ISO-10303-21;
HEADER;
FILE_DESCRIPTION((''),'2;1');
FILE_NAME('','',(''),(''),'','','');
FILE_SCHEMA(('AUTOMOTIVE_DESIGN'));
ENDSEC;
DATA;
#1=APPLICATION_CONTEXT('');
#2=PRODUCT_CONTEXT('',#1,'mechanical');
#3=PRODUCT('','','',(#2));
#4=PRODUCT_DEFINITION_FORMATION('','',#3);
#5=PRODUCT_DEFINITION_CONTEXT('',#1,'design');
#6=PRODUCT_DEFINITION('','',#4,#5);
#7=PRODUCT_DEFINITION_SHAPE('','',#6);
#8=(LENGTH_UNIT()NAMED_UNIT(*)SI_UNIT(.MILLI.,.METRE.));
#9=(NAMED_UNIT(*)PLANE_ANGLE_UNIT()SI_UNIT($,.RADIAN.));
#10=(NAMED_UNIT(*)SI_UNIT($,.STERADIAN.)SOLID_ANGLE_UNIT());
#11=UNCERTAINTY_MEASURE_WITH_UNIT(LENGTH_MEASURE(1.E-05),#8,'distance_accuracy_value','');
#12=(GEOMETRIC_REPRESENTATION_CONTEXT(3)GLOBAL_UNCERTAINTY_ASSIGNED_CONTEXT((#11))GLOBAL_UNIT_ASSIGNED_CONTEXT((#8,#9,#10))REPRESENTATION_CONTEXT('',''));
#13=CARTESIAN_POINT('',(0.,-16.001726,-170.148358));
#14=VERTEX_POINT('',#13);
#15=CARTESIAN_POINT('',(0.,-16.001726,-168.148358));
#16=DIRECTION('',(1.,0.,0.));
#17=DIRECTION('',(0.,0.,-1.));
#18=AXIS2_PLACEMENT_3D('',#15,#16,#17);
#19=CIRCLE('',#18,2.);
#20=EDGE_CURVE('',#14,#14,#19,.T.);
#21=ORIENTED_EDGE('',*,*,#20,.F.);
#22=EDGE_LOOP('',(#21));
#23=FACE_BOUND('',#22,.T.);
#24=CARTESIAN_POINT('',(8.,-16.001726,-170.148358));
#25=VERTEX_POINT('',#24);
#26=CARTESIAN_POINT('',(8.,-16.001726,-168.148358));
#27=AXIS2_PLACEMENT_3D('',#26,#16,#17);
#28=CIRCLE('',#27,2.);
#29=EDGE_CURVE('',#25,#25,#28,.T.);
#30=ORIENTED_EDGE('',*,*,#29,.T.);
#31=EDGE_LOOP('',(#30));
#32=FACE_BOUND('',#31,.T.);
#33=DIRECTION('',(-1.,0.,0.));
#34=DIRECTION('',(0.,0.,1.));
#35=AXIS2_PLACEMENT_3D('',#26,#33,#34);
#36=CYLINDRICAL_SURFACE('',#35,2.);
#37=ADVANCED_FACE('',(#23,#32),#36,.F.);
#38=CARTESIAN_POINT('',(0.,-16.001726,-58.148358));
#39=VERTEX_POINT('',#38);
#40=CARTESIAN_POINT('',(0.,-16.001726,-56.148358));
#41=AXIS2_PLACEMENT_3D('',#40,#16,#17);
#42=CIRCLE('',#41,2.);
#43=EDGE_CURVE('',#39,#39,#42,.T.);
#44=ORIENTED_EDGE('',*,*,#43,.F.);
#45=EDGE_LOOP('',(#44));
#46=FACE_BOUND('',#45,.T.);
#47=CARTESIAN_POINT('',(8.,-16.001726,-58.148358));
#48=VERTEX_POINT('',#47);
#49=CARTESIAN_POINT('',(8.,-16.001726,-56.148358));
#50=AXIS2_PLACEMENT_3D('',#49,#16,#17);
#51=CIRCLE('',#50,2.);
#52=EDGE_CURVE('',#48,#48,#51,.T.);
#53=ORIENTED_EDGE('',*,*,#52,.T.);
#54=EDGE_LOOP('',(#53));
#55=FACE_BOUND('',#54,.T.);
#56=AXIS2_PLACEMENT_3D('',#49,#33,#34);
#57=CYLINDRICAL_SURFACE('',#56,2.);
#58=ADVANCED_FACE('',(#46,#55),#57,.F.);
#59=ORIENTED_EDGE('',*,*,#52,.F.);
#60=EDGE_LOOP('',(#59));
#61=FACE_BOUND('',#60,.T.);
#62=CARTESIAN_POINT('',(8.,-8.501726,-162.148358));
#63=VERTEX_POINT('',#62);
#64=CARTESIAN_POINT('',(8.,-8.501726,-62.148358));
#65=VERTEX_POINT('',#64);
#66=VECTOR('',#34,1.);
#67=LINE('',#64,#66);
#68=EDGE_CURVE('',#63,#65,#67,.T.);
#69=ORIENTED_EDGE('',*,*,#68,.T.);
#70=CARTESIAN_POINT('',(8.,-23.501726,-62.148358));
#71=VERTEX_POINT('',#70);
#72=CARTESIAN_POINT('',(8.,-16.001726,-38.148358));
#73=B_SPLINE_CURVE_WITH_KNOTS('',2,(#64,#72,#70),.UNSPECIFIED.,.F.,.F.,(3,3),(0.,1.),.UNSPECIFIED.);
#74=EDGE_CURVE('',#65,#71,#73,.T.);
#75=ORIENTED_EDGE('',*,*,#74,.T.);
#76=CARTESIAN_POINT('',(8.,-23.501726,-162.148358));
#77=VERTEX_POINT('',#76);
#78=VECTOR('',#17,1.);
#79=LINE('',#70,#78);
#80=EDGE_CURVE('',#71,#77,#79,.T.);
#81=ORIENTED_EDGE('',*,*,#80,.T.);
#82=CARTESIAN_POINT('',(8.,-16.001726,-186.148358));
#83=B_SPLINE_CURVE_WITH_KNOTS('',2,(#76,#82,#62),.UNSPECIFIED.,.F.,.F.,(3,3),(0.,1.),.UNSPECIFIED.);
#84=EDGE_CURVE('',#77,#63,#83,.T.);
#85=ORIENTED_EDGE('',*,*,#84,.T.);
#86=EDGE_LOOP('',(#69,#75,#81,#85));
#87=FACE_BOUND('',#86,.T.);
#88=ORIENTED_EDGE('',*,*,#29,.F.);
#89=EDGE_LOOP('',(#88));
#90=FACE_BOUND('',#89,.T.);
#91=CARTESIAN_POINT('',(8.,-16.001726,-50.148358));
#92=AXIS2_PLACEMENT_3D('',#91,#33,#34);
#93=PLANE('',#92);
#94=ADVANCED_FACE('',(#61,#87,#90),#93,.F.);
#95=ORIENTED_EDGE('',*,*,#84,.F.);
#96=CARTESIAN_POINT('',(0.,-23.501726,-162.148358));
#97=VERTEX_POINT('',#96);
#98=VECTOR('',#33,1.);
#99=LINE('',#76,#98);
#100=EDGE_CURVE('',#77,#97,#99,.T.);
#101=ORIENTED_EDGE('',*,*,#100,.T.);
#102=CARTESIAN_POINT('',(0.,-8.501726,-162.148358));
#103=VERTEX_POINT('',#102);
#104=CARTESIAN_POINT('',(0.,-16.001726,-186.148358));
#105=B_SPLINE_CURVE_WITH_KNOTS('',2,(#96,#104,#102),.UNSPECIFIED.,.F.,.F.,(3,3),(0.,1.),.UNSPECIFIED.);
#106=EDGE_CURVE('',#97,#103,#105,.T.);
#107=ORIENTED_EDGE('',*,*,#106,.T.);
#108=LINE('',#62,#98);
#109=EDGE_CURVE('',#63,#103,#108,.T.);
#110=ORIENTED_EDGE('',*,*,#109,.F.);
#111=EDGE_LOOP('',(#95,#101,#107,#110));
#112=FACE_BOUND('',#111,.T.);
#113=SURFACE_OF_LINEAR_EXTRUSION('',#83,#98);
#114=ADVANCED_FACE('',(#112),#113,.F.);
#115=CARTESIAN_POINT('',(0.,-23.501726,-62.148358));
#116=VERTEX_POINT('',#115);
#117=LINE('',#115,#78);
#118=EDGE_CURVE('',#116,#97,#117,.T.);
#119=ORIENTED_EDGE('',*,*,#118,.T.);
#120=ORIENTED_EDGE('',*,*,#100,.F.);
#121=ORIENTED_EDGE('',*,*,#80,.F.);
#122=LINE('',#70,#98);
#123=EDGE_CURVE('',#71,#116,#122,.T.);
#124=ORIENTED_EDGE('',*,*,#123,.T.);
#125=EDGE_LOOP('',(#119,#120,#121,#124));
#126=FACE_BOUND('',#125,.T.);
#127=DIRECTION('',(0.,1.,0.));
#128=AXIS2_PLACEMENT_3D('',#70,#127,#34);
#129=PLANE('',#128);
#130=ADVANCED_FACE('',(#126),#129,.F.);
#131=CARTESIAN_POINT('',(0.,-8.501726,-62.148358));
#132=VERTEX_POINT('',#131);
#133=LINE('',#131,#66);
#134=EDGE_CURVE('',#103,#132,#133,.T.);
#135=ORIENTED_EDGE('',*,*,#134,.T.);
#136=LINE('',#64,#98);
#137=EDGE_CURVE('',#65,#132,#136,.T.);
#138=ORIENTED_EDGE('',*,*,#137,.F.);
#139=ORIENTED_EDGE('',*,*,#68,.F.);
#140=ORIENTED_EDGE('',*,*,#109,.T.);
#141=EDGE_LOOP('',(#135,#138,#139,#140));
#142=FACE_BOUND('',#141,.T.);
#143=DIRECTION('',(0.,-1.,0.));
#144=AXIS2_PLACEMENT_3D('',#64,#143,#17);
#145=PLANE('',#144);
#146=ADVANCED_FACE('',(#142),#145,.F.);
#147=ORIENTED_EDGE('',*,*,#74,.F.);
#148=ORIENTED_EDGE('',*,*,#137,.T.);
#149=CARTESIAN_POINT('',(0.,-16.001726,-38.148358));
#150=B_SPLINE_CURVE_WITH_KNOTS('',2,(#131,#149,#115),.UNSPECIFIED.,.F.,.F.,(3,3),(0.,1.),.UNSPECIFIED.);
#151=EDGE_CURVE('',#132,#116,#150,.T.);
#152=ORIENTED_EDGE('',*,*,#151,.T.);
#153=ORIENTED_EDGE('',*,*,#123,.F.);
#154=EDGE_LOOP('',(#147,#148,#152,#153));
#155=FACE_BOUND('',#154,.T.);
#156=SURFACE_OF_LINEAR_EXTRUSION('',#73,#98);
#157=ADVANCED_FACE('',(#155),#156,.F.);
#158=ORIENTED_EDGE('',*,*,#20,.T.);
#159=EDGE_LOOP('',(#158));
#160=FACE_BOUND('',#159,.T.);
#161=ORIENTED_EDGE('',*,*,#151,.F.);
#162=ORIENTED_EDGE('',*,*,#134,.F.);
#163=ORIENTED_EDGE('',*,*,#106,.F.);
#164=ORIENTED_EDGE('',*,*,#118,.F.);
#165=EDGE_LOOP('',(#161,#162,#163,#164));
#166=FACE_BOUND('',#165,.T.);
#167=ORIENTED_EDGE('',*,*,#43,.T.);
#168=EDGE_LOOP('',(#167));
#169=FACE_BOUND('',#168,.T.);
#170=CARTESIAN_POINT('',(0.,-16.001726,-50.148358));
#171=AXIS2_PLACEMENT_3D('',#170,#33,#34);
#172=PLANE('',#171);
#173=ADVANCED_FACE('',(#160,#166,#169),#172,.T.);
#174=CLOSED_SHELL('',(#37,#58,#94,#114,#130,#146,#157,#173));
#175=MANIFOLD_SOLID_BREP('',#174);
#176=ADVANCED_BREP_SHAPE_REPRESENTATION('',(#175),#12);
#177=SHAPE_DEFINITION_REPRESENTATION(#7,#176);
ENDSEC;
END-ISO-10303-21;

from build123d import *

# Parameters (mm, degrees)
SKETCH1_R           = 2
BOSS_EXTRUDE1_DEPTH = 8


with BuildPart() as part:
    # Sketch1 → Boss-Extrude1 (new body)
    with BuildSketch(Plane(origin=(0, 0, 0), x_dir=(0, 0, -1), z_dir=(1, 0, 0))):
        with BuildLine():
            Line((62.14835845, -8.501725608), (162.14835845, -8.501725608))
            add(Edge.make_bspline(
                [(162.14835845, -8.501725608), (186.14835845, -16.001725608), (162.14835845, -23.501725608)],
                knots=[0, 0, 0, 1, 1, 1], degree=2))
            Line((162.14835845, -23.501725608), (62.14835845, -23.501725608))
            add(Edge.make_bspline(
                [(62.14835845, -8.501725608), (38.14835845, -16.001725608), (62.14835845, -23.501725608)],
                knots=[0, 0, 0, 1, 1, 1], degree=2))
        make_face()
        with Locations((56.14835845, -16.001725608)):
            Circle(SKETCH1_R, mode=Mode.SUBTRACT)
        with Locations((168.14835845, -16.001725608)):
            Circle(SKETCH1_R, mode=Mode.SUBTRACT)
    extrude(amount=BOSS_EXTRUDE1_DEPTH)


solid = part.part
